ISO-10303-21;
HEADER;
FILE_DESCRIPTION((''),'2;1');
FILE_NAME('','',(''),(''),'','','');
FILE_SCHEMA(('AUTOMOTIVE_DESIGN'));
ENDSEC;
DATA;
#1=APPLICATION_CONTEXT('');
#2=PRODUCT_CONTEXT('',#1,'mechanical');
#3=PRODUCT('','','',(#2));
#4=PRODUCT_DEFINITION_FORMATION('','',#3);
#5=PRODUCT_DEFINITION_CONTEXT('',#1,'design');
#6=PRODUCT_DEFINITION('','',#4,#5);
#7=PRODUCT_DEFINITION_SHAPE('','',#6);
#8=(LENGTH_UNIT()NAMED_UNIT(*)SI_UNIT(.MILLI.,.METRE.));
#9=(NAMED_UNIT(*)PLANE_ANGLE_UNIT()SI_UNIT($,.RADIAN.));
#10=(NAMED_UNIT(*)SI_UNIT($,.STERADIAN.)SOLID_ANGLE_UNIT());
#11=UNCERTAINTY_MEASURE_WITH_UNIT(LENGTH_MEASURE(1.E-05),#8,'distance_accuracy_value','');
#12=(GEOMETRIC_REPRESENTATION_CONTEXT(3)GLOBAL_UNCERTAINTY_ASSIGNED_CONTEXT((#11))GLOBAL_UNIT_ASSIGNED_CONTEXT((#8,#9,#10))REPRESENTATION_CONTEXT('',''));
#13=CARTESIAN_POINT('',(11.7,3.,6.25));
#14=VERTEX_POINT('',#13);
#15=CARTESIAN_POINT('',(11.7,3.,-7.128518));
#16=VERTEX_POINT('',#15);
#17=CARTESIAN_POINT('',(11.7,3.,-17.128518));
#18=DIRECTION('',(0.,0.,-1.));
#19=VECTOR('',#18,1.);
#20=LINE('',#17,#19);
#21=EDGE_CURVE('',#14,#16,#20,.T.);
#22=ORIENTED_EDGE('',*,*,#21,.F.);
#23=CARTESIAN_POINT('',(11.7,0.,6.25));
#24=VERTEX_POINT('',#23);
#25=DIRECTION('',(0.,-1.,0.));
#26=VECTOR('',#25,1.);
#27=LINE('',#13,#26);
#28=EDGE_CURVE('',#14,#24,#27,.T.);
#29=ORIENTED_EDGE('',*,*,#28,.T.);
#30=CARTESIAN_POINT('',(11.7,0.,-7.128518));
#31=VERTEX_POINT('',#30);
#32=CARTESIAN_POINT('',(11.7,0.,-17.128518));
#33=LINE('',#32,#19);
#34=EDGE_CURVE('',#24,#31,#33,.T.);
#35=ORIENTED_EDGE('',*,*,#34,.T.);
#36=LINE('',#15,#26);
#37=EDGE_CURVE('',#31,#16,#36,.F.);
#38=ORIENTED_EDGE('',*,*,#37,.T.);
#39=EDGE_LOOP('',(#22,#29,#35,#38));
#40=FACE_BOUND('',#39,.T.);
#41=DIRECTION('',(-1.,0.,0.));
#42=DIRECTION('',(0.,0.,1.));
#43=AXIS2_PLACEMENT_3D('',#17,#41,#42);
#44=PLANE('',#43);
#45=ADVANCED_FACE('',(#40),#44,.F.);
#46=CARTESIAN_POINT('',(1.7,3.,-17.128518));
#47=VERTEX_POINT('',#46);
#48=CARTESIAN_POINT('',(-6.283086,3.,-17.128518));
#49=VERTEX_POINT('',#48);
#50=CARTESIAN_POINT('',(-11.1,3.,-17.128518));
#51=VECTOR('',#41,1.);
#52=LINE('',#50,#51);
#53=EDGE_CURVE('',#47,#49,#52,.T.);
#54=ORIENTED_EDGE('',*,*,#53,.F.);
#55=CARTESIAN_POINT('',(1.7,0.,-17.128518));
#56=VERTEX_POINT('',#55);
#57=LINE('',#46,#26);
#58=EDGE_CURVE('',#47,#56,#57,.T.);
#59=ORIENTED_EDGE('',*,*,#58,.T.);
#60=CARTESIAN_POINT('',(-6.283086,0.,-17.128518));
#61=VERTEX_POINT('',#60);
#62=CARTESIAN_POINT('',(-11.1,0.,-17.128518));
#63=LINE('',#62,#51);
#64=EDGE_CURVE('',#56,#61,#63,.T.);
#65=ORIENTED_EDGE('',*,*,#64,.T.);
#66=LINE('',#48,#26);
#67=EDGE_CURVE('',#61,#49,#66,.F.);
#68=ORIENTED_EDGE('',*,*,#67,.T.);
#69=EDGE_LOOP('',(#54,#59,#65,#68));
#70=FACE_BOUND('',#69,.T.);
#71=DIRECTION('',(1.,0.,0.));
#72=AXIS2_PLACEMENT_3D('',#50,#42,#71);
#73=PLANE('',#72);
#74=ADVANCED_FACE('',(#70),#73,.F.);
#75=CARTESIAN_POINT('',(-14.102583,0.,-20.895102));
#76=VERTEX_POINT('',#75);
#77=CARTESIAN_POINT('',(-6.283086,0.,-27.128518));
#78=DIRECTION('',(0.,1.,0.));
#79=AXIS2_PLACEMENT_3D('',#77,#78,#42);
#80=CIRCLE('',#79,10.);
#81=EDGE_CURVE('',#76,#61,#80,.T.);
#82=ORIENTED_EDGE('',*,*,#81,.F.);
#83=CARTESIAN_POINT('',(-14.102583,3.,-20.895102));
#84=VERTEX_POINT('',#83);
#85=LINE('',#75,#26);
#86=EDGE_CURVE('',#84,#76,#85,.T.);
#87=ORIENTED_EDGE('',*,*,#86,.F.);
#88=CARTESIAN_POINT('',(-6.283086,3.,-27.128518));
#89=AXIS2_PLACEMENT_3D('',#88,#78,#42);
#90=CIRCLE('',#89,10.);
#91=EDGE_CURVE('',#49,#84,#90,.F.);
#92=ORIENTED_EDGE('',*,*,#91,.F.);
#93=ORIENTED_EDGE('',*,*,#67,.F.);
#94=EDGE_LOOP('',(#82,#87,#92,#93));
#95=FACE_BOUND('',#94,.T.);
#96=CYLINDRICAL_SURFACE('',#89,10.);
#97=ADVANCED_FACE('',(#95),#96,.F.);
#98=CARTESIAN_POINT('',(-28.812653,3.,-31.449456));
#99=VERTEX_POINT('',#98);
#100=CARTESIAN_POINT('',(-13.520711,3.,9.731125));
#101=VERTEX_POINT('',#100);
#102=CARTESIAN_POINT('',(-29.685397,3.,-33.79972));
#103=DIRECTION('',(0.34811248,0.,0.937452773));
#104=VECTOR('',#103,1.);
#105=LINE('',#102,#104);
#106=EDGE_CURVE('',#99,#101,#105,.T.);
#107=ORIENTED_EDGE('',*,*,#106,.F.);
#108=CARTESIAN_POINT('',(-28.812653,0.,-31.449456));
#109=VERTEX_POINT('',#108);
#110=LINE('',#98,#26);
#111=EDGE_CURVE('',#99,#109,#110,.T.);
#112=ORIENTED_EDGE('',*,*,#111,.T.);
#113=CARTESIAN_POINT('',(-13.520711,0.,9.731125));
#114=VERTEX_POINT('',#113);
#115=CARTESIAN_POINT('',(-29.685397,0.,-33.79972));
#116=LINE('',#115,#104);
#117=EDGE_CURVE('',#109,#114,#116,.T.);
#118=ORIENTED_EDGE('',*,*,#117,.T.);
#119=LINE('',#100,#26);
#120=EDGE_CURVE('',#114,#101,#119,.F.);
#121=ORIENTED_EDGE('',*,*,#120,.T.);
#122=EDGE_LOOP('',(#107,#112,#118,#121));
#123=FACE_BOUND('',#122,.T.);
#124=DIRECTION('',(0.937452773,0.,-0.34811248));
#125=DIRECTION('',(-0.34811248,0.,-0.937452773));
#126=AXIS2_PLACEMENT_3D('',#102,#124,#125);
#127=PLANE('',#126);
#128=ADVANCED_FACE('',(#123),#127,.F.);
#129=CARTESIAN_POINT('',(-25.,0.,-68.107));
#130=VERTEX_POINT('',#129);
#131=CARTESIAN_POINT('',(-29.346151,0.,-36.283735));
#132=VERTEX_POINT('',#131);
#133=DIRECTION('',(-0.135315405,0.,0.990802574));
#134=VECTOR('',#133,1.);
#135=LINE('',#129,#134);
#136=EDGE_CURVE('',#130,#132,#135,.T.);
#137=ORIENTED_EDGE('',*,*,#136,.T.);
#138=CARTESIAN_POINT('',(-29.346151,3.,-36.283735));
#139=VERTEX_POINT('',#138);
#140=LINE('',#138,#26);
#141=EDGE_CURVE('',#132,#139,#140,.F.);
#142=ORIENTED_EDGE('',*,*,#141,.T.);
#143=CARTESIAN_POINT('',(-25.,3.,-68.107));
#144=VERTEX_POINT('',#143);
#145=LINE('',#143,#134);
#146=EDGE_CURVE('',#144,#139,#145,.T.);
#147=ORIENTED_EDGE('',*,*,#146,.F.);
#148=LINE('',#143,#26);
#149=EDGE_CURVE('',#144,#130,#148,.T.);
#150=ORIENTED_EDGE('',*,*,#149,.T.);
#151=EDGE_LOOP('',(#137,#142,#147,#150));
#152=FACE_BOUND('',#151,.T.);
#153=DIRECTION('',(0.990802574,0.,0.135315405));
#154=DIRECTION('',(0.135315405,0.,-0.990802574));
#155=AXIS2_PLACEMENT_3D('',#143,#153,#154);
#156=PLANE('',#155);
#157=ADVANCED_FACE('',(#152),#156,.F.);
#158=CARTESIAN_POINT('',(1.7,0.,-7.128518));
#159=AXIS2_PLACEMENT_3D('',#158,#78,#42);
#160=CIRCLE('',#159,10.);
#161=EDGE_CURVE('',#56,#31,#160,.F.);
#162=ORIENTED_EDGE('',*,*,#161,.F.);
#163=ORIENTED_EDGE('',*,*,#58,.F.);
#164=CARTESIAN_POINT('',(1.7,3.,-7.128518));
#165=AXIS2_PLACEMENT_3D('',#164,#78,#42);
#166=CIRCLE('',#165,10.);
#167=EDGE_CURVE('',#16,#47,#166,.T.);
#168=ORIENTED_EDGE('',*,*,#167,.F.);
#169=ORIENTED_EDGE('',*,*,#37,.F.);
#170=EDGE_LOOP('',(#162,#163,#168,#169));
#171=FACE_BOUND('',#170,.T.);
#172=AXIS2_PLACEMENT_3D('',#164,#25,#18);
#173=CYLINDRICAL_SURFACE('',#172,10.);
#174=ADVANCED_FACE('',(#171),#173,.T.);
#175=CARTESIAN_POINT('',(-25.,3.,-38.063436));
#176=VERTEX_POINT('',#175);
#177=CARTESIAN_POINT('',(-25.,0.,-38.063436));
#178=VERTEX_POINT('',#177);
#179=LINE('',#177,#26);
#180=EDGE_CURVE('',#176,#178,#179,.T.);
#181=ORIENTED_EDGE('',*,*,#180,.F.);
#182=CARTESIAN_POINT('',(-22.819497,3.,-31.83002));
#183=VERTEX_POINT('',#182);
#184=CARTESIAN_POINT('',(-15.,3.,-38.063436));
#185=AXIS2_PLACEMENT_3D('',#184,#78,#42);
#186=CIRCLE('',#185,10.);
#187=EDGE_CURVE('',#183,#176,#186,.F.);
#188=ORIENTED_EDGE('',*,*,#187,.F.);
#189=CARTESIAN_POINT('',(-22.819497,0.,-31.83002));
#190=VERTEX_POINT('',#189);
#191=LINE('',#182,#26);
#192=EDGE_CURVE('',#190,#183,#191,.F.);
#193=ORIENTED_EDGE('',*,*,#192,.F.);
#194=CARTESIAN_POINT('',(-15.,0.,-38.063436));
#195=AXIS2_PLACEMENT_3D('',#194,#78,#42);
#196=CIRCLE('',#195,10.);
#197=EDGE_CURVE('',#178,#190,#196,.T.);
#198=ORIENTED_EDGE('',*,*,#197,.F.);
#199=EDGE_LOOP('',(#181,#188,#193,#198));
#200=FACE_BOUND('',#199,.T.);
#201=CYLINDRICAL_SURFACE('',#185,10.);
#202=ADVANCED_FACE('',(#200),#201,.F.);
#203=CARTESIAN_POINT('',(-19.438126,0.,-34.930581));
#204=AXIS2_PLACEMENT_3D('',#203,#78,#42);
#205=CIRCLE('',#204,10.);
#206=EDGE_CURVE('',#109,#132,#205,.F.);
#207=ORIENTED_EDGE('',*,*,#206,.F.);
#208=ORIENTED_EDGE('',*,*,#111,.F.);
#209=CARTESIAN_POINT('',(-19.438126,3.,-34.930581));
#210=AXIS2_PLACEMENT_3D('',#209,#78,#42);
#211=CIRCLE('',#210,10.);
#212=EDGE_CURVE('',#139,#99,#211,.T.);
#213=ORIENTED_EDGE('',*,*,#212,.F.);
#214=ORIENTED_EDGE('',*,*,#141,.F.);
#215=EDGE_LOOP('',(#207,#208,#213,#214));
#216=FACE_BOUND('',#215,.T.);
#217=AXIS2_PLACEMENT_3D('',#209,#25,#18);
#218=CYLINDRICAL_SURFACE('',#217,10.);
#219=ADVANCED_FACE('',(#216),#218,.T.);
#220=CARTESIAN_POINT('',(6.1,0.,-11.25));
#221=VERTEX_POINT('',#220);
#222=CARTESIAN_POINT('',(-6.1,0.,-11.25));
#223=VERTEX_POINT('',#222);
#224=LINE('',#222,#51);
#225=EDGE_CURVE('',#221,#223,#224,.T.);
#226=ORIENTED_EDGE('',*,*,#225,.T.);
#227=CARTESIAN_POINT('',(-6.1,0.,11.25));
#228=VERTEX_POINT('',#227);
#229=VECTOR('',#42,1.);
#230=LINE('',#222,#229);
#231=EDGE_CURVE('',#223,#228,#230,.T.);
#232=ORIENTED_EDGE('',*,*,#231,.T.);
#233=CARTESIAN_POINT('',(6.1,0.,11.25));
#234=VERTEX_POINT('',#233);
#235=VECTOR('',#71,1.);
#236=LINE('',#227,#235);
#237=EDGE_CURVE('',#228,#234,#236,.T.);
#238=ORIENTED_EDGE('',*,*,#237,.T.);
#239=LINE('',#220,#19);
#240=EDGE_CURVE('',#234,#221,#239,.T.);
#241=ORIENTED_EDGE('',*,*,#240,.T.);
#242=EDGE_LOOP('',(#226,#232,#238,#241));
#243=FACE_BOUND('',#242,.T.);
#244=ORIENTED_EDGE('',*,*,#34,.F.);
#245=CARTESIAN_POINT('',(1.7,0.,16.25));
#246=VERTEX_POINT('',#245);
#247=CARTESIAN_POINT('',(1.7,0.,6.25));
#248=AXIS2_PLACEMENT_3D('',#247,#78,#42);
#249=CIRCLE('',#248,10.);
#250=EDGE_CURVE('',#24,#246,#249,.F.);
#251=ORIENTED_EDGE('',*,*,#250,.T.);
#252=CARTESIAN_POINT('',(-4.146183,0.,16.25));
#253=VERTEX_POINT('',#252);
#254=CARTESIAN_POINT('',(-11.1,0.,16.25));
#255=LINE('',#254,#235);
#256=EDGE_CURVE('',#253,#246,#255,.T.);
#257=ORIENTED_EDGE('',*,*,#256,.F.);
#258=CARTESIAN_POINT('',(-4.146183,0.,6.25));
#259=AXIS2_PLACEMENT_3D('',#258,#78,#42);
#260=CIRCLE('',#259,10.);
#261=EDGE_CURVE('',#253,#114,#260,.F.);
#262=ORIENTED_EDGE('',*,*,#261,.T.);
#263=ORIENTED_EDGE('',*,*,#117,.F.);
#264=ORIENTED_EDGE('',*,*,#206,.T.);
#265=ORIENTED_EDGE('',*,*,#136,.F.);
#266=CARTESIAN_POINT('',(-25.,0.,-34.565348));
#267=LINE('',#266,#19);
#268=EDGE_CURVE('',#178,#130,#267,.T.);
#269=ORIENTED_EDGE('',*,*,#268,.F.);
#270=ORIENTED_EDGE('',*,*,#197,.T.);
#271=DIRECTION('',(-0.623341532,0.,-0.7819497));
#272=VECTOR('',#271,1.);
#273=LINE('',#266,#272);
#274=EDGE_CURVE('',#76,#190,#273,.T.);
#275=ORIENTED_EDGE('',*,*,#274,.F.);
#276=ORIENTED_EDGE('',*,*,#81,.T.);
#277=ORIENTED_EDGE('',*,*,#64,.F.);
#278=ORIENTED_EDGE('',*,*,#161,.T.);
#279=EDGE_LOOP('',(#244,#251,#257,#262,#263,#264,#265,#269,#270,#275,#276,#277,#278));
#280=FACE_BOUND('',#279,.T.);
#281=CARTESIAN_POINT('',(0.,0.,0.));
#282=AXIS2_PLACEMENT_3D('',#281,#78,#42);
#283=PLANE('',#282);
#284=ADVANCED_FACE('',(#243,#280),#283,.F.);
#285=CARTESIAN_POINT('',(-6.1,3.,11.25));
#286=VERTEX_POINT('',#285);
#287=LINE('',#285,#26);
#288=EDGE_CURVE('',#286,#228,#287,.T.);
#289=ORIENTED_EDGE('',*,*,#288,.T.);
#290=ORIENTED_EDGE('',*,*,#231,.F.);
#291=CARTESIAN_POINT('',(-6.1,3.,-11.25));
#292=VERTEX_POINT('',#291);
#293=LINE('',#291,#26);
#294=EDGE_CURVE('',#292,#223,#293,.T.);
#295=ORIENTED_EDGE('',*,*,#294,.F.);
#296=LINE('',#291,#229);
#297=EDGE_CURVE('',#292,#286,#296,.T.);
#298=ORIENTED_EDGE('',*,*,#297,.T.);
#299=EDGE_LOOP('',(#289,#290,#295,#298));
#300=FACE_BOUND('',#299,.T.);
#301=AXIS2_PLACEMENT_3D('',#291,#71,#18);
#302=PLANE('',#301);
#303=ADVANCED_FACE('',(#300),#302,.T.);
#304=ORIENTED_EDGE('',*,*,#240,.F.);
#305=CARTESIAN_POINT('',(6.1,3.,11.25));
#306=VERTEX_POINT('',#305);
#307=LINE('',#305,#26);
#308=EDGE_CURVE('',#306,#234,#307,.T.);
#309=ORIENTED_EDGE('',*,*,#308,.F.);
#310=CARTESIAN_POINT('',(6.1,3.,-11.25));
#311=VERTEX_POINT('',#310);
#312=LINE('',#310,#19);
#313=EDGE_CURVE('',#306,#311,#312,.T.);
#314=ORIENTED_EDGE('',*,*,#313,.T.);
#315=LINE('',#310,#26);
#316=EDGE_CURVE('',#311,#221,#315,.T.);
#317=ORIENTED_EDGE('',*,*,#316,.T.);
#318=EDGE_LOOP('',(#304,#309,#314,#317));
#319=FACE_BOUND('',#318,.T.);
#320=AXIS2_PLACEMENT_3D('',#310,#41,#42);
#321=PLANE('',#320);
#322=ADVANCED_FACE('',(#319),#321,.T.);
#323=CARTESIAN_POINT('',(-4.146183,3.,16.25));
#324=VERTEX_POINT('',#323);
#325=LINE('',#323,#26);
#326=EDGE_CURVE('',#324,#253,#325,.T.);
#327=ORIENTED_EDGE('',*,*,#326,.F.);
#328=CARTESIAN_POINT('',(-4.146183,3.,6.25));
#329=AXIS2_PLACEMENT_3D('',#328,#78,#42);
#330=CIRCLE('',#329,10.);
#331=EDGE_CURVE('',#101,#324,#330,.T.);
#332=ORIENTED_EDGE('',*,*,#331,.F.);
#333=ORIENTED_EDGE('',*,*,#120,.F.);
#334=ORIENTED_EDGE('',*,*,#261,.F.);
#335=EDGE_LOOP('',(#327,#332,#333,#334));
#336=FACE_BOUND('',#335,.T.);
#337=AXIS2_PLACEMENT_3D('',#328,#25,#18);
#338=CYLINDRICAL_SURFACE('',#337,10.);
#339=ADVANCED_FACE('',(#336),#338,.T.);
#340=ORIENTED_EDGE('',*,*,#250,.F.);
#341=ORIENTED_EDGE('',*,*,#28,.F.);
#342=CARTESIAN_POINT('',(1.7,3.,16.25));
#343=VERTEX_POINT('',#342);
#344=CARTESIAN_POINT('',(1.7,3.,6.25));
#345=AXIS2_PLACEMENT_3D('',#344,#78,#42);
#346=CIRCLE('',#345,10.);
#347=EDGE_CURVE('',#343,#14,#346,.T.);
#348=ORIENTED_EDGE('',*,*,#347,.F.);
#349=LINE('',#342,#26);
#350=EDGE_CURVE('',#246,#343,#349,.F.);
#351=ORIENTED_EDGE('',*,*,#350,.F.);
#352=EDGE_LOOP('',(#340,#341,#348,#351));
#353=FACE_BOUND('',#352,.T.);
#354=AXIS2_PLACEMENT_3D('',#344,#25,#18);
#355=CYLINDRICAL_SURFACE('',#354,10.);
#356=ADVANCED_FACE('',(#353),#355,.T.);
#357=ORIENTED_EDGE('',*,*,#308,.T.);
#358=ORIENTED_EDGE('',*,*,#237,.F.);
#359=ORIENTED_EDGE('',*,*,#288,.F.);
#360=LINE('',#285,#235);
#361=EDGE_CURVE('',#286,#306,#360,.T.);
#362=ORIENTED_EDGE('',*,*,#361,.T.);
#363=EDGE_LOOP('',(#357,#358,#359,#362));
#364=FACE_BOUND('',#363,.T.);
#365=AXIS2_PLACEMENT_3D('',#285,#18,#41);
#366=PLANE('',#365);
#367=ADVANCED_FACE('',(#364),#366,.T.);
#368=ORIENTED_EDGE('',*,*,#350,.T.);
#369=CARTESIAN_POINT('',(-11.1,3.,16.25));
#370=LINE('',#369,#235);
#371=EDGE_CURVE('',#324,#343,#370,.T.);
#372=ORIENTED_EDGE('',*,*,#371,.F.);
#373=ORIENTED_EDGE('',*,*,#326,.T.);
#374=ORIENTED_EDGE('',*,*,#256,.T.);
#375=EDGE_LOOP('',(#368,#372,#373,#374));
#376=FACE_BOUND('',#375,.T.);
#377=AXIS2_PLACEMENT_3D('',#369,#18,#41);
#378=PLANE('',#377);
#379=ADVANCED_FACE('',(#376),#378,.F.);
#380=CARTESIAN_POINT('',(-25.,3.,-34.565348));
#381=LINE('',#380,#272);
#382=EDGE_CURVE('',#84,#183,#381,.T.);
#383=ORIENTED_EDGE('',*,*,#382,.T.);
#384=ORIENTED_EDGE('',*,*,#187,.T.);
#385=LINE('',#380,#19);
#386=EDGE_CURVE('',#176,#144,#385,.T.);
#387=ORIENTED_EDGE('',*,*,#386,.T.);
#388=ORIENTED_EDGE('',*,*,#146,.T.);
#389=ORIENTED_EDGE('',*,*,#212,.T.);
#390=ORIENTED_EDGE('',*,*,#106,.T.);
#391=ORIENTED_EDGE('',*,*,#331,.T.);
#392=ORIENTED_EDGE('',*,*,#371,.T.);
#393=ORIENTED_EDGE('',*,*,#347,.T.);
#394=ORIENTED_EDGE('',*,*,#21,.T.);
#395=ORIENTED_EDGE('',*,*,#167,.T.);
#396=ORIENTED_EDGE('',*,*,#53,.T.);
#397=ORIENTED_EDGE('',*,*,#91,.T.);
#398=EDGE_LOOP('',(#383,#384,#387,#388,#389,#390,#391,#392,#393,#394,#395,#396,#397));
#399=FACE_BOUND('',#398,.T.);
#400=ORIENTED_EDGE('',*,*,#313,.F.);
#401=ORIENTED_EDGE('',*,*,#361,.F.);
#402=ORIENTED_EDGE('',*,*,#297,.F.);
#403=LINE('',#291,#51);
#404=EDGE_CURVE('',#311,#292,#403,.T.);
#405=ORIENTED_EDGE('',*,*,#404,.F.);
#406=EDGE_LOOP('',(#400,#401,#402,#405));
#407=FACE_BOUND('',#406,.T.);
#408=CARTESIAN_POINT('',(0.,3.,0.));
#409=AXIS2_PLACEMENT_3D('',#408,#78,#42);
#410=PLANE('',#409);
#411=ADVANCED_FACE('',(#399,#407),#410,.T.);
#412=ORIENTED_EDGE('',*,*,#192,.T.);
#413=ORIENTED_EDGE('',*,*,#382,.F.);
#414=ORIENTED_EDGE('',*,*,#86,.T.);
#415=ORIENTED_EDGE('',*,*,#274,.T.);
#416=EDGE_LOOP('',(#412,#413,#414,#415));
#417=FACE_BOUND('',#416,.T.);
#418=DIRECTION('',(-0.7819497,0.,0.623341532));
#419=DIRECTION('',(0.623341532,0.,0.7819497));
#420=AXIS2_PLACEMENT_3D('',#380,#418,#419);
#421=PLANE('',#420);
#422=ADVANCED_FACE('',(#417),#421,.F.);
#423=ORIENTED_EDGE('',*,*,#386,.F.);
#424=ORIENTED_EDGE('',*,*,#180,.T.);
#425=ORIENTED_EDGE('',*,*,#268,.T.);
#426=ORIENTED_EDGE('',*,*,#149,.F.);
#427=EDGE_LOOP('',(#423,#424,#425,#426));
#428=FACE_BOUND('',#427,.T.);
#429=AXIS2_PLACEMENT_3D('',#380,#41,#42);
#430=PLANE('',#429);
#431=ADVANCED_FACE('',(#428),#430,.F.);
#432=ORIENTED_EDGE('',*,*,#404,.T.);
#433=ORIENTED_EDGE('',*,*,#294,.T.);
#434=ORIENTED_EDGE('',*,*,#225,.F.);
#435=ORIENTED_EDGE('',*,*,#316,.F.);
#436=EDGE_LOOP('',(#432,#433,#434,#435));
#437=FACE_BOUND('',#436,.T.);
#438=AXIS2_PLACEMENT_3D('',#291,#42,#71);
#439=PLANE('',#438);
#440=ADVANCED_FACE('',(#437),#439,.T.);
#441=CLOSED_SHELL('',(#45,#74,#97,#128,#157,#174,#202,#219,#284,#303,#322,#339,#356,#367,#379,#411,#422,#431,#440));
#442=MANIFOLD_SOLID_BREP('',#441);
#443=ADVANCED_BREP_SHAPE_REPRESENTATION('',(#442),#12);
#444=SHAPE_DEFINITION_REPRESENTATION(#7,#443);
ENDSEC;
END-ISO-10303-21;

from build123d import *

# Parameters (mm, degrees)
SKETCH1_W           = 12.2
SKETCH1_H           = 22.5
BOSS_EXTRUDE1_DEPTH = 3
FILLET2_R           = 10


with BuildPart() as part:
    # Sketch1 → Boss-Extrude1 (new body)
    with BuildSketch(Plane(origin=(0, 0, 0), x_dir=(1, 0, 0), z_dir=(0, 1, 0))):
        Polygon((-11.1, -16.25), (11.7, -16.25), (11.7, 17.128517662), (-11.1, 17.128517662), (-25, 34.565348469), (-25, 68.106999691), (-29.68539708, 33.799719695), align=None)
        Rectangle(SKETCH1_W, SKETCH1_H, mode=Mode.SUBTRACT)
    extrude(amount=BOSS_EXTRUDE1_DEPTH)

    # Fillet2
    fillet2_edges = [part.edges().sort_by_distance(p)[0] for p in [
        (11.7, 1.5, 16.25),
        (-11.1, 1.5, 16.25),
        (-29.68539708, 1.5, -33.799719695),
        (-25, 1.5, -34.565348469),
        (-11.1, 1.5, -17.128517662),
        (11.7, 1.5, -17.128517662),
    ]]
    fillet(fillet2_edges, radius=FILLET2_R)


solid = part.part
